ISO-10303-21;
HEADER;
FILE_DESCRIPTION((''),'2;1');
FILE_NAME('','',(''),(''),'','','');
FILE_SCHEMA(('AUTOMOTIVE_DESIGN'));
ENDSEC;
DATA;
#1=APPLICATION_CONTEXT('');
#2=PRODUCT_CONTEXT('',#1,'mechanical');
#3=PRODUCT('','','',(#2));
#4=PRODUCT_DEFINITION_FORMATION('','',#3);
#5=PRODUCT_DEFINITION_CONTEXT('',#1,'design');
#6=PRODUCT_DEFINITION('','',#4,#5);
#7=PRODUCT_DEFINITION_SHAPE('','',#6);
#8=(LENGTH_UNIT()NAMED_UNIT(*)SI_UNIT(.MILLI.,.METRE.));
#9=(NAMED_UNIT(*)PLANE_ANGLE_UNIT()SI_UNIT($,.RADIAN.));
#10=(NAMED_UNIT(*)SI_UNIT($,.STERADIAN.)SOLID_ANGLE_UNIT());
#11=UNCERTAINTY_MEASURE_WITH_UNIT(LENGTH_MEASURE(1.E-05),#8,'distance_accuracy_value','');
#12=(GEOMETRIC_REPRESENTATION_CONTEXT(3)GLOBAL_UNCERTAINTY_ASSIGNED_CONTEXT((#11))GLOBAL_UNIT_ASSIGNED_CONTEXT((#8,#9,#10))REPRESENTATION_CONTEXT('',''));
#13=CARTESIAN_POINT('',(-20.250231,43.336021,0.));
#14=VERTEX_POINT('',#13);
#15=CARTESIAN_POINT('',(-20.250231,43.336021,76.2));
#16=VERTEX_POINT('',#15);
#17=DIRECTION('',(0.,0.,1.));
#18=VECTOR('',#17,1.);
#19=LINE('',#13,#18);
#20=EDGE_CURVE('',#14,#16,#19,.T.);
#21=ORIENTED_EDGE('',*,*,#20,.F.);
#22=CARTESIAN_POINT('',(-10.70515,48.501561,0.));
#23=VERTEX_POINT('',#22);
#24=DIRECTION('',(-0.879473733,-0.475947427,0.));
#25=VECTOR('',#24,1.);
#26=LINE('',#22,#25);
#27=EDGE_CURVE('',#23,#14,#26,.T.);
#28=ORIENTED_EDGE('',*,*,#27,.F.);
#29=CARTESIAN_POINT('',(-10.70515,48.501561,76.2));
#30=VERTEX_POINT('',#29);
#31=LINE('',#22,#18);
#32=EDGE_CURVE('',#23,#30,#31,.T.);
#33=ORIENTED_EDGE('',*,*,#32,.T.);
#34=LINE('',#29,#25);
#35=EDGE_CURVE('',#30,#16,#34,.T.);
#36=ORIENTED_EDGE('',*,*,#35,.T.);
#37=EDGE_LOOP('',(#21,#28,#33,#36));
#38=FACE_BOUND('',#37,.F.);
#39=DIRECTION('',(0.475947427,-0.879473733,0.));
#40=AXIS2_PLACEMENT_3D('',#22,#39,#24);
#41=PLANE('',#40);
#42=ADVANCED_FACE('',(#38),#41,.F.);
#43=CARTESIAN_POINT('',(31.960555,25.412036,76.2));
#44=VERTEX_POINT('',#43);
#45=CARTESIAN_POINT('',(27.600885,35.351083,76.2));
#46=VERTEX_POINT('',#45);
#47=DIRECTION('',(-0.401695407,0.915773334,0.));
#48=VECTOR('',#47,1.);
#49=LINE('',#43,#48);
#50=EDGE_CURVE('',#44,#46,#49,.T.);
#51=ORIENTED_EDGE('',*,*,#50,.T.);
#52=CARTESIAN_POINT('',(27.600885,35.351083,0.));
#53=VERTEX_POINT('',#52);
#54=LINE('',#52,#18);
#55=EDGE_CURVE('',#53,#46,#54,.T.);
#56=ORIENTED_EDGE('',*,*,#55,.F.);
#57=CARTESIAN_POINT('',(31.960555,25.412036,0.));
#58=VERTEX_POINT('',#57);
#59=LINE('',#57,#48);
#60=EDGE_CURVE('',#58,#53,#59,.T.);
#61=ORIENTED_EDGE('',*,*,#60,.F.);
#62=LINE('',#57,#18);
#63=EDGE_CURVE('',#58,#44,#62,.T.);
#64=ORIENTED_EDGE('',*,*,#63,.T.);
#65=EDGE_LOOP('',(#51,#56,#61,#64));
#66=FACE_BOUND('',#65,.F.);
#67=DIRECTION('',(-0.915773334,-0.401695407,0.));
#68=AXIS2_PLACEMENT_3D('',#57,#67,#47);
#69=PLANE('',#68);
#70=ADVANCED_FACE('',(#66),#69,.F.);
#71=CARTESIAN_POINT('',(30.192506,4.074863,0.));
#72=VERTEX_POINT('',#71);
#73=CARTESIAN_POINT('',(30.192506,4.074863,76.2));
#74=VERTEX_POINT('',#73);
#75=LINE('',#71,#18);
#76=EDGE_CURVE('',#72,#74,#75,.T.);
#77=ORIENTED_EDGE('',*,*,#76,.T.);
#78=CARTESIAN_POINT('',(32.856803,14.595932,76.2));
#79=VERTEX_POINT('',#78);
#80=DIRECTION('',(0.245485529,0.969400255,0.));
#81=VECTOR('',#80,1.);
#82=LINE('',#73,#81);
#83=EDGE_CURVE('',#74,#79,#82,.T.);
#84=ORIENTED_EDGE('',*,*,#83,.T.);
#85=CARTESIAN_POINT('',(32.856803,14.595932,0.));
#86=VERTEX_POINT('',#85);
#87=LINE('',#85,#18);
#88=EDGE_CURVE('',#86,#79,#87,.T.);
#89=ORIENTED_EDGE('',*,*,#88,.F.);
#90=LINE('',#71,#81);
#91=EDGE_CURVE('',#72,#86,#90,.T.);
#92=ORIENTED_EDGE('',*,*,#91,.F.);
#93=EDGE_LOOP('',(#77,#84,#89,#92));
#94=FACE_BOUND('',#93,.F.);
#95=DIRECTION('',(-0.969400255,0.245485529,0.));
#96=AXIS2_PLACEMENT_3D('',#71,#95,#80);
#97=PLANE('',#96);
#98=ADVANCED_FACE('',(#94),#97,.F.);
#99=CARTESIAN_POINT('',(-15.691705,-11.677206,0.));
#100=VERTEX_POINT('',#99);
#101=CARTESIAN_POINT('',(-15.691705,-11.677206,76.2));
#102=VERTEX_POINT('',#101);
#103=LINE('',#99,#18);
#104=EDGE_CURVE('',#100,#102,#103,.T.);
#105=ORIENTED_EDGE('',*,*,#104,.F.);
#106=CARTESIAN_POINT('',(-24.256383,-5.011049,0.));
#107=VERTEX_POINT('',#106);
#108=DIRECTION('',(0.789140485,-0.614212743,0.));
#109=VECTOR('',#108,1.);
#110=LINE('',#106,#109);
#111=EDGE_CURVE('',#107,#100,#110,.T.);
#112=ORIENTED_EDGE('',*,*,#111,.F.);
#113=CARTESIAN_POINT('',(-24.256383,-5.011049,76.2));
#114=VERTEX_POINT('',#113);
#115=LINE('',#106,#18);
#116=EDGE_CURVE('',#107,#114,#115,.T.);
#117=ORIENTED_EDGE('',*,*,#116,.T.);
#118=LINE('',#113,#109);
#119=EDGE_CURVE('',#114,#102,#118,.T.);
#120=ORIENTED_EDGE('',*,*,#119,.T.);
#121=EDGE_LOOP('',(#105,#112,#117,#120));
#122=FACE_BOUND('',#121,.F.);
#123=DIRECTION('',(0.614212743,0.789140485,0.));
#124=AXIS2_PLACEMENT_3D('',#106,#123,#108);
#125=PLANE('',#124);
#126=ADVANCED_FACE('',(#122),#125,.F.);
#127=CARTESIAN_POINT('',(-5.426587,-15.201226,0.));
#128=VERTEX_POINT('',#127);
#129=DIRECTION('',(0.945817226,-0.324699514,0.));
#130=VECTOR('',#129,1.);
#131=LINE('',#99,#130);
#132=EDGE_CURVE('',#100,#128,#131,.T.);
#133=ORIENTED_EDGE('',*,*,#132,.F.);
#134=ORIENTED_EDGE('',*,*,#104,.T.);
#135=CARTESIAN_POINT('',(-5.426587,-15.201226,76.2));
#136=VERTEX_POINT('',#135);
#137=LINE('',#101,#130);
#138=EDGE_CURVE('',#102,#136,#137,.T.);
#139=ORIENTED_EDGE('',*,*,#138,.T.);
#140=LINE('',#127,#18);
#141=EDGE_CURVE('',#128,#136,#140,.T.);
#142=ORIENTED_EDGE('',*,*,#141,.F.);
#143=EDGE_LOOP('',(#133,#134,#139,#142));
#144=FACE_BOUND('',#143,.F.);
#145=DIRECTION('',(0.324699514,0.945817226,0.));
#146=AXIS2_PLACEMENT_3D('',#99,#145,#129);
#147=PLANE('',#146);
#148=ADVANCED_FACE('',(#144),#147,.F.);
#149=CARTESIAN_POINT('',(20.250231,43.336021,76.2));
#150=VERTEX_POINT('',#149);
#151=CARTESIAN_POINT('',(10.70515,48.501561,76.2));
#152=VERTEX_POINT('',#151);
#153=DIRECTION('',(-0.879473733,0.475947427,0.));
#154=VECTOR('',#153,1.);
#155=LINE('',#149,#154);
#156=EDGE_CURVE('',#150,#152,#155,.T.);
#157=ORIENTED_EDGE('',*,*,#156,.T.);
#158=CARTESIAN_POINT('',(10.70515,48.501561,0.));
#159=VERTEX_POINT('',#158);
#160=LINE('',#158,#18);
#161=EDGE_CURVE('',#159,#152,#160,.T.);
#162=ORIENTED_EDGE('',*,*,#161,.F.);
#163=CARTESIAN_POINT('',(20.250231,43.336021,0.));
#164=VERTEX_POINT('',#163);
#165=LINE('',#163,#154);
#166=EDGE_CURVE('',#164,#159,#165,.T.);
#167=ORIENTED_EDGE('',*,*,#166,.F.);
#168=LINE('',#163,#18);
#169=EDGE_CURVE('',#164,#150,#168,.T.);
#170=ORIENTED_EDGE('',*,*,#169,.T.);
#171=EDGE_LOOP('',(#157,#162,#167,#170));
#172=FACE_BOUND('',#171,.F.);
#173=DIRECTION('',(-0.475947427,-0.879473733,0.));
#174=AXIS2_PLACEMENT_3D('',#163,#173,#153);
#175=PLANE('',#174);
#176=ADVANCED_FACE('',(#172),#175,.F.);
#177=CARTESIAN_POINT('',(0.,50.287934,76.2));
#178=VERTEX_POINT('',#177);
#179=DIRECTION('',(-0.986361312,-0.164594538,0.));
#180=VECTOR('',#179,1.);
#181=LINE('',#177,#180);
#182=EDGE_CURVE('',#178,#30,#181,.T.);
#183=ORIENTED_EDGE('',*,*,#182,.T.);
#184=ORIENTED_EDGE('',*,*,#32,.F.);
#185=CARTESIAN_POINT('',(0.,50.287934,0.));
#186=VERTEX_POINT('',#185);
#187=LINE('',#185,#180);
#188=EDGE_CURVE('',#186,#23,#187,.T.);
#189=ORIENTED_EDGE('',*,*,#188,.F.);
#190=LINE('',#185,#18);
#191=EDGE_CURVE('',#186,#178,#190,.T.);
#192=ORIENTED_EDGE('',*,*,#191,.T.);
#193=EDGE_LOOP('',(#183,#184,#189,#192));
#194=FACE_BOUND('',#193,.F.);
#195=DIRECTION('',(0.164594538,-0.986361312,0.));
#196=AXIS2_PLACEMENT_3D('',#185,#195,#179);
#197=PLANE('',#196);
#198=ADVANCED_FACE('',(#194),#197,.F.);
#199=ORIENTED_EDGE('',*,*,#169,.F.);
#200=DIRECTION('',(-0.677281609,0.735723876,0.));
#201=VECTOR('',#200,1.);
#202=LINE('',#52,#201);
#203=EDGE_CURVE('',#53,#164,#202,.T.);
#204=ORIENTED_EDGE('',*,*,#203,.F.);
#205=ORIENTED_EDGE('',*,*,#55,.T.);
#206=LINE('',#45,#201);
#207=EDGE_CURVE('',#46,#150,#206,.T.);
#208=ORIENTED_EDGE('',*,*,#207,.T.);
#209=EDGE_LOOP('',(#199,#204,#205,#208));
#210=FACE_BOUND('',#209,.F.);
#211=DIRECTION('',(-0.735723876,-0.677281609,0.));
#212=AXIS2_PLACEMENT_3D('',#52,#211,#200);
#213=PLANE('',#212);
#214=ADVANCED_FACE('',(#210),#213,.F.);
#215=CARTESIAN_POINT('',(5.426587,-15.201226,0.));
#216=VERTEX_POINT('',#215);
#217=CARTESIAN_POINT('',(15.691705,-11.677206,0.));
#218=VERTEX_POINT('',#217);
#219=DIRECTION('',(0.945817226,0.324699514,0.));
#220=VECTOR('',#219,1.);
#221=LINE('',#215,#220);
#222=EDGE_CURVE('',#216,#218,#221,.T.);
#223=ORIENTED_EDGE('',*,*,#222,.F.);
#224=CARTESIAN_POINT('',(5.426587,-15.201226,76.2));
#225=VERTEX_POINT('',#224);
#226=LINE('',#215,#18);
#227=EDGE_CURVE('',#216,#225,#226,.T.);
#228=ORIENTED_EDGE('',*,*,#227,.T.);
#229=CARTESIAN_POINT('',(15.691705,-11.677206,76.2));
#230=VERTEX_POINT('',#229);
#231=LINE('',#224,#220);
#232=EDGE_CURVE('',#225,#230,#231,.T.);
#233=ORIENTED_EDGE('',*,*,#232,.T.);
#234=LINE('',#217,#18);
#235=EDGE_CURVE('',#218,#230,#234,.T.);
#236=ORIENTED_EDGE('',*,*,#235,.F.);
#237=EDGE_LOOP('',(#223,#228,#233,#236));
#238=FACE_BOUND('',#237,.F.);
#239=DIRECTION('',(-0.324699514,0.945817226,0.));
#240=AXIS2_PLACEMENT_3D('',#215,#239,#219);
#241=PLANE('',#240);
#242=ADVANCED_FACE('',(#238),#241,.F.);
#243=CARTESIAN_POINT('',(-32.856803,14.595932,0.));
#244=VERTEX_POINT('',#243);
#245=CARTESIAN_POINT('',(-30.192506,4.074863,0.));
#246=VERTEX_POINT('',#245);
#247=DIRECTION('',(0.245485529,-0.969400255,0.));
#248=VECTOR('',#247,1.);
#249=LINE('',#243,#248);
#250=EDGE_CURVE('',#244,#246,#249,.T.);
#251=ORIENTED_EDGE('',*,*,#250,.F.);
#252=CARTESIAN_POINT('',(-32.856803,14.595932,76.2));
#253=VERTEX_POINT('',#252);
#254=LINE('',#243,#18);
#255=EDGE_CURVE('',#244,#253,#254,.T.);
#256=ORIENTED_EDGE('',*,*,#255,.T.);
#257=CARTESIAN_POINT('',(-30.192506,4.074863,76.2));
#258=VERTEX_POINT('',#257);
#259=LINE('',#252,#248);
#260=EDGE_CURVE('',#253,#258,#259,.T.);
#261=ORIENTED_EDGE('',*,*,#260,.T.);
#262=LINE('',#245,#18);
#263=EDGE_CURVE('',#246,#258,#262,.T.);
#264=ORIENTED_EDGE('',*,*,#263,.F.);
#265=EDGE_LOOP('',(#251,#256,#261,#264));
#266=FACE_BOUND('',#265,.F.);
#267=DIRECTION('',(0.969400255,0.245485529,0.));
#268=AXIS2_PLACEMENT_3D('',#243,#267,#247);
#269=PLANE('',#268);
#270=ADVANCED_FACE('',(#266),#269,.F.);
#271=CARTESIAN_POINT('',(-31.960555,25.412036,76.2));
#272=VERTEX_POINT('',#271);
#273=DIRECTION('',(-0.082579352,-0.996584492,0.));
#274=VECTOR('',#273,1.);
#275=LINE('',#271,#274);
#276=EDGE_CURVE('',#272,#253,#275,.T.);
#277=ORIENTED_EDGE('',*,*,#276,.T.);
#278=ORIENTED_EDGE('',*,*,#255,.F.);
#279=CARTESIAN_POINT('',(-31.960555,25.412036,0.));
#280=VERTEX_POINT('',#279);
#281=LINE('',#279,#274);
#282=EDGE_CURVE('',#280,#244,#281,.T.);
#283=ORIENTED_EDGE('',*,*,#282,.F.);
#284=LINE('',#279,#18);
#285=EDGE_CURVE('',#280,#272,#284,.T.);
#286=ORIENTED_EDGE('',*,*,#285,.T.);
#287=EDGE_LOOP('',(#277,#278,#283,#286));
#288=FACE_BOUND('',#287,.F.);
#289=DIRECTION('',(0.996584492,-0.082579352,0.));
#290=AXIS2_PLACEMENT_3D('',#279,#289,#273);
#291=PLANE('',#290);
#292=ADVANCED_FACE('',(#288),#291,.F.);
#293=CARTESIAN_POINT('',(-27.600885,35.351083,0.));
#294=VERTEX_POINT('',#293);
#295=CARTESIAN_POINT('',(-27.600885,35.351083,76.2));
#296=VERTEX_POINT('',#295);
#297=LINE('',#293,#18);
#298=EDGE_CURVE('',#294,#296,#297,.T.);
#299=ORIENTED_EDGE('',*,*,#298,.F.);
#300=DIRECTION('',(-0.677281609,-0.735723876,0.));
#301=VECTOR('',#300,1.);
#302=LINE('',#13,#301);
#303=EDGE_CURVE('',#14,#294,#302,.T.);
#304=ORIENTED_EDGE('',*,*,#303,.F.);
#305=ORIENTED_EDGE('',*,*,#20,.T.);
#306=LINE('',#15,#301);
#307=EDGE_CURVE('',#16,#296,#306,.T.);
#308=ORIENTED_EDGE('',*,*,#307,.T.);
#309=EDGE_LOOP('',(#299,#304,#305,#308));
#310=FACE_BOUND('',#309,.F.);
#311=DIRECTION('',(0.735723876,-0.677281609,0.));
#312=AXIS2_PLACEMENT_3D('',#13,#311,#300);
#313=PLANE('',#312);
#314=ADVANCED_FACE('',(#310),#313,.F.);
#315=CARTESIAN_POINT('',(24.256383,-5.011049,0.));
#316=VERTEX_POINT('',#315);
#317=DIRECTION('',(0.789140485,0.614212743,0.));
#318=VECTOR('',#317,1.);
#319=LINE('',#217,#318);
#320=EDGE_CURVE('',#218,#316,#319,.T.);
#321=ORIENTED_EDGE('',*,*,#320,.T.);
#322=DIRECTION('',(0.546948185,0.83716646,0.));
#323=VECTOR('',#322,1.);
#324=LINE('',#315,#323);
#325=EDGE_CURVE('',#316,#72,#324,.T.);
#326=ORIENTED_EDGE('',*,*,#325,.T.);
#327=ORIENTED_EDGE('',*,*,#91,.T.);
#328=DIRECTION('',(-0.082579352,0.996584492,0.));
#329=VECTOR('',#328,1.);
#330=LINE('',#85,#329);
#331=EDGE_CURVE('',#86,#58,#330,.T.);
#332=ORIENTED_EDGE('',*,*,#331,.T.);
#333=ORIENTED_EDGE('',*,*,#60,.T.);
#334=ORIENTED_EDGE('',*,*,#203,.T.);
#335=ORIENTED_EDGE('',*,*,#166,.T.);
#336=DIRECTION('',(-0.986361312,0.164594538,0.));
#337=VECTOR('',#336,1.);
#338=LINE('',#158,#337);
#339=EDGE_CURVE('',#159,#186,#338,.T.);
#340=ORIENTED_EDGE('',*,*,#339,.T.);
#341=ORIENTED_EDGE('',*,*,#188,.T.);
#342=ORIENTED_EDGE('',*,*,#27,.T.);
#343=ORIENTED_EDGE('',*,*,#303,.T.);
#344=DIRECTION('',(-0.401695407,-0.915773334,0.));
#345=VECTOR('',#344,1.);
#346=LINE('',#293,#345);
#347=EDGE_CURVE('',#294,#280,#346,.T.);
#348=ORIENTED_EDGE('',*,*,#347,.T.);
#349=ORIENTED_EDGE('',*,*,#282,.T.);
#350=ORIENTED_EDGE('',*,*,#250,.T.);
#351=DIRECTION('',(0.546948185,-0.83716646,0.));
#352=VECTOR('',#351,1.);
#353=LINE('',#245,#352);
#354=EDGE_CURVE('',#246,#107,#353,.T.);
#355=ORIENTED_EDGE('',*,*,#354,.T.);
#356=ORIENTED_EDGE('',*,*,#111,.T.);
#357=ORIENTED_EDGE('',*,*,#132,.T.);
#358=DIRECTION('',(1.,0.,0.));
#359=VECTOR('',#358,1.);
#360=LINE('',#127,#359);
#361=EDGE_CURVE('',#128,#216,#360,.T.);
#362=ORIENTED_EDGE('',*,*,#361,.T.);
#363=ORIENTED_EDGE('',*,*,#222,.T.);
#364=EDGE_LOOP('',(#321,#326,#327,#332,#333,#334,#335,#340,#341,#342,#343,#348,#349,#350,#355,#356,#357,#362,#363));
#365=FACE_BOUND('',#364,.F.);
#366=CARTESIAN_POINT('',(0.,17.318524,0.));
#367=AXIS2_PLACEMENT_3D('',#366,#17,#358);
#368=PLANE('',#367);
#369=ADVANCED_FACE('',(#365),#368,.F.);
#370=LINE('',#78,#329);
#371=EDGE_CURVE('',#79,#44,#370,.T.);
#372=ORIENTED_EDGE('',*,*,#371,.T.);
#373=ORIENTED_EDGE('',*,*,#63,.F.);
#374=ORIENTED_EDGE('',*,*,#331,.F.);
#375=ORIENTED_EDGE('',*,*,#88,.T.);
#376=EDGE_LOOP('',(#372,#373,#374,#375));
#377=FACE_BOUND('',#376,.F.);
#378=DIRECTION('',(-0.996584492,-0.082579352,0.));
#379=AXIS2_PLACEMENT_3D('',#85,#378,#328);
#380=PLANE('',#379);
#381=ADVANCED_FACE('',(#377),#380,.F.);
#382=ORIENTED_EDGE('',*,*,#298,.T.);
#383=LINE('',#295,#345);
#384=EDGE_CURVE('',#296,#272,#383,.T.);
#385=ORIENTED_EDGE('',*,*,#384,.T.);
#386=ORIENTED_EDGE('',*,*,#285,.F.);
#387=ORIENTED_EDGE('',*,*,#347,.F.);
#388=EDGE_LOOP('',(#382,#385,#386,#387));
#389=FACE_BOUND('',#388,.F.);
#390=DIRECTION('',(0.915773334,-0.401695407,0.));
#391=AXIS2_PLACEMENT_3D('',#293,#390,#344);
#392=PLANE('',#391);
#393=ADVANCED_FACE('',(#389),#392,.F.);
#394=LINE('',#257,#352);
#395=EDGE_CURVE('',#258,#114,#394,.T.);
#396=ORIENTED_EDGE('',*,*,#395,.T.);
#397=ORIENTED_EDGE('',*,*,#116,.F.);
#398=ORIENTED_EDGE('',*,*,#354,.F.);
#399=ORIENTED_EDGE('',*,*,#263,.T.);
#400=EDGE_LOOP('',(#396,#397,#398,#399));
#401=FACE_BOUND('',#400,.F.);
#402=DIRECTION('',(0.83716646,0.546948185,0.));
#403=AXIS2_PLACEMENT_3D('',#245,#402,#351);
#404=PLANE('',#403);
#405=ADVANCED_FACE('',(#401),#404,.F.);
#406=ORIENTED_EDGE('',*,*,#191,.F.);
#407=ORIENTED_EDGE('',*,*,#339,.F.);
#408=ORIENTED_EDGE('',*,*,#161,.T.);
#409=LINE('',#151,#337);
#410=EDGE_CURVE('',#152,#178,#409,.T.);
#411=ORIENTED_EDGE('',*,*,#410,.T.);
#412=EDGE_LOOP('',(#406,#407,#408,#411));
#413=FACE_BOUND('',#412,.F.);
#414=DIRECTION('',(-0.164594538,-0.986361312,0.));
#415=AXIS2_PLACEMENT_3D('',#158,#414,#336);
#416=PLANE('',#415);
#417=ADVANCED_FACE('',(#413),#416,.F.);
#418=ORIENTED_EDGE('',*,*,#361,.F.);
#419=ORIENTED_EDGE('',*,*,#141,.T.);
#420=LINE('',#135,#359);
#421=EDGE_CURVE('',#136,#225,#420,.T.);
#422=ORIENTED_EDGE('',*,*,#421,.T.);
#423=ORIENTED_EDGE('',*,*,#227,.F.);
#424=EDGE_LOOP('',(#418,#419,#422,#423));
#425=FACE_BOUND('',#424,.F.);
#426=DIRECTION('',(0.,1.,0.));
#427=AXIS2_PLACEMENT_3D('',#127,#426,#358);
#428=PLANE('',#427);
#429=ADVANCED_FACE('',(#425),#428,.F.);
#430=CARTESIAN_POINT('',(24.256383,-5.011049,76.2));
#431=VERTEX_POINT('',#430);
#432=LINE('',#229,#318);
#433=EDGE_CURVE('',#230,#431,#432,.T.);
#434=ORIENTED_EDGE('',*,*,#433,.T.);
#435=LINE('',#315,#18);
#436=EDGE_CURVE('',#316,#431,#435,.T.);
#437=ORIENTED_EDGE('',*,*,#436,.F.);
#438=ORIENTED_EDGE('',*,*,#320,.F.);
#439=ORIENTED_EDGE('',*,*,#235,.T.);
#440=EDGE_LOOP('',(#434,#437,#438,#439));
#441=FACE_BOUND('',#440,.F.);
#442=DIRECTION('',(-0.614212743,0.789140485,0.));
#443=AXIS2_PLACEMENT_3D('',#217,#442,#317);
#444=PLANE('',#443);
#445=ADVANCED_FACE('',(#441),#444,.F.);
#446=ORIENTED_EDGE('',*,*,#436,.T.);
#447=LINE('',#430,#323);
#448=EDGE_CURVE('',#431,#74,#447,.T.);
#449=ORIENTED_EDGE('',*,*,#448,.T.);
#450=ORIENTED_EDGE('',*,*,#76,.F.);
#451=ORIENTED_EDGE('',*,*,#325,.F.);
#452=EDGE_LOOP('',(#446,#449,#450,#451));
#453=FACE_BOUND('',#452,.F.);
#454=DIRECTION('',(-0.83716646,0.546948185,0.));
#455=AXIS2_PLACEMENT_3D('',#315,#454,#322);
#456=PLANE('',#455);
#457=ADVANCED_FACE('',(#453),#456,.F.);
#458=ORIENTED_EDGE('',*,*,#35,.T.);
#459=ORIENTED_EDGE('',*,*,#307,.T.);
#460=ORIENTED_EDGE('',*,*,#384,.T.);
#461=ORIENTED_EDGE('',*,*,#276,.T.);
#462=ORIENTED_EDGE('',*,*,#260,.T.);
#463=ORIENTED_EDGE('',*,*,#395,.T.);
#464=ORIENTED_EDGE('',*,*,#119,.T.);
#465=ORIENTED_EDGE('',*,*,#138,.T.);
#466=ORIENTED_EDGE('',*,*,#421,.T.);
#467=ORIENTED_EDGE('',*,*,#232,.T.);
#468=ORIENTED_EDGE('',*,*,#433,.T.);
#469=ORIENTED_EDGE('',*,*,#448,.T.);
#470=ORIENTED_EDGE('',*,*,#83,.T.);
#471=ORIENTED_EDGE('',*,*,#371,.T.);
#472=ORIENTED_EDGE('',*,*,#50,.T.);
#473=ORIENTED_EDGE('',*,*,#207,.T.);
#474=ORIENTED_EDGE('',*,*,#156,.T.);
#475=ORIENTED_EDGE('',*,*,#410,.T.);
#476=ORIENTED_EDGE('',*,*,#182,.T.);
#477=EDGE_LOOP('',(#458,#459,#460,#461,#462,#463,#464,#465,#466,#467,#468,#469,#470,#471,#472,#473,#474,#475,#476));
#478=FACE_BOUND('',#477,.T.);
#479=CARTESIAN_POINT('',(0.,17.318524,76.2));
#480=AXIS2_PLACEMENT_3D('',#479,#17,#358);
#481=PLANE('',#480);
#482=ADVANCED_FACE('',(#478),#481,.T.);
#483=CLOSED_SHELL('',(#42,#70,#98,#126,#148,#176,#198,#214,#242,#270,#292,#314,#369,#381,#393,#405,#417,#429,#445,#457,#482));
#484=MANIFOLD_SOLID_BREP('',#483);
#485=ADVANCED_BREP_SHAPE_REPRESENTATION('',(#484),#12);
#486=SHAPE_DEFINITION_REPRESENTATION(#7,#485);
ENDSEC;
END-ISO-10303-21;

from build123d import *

# Parameters (mm, degrees)
F1_DEPTH = 76.2


with BuildPart() as f1:
    # F0 (on Top) → F1 (new body)
    with BuildSketch(Plane.XY):
        Polygon((-5.426587, -15.201226), (5.426587, -15.201226), (15.691705, -11.677206), (24.256383, -5.011049), (30.192506, 4.074863), (32.856803, 14.595932), (31.960555, 25.412036), (27.600885, 35.351083), (20.250231, 43.336021), (10.70515, 48.501561), (0, 50.287934), (-10.70515, 48.501561), (-20.250231, 43.336021), (-27.600885, 35.351083), (-31.960555, 25.412036), (-32.856803, 14.595932), (-30.192506, 4.074863), (-24.256383, -5.011049), (-15.691705, -11.677206), align=None)
    extrude(amount=F1_DEPTH)


solid = f1.part
